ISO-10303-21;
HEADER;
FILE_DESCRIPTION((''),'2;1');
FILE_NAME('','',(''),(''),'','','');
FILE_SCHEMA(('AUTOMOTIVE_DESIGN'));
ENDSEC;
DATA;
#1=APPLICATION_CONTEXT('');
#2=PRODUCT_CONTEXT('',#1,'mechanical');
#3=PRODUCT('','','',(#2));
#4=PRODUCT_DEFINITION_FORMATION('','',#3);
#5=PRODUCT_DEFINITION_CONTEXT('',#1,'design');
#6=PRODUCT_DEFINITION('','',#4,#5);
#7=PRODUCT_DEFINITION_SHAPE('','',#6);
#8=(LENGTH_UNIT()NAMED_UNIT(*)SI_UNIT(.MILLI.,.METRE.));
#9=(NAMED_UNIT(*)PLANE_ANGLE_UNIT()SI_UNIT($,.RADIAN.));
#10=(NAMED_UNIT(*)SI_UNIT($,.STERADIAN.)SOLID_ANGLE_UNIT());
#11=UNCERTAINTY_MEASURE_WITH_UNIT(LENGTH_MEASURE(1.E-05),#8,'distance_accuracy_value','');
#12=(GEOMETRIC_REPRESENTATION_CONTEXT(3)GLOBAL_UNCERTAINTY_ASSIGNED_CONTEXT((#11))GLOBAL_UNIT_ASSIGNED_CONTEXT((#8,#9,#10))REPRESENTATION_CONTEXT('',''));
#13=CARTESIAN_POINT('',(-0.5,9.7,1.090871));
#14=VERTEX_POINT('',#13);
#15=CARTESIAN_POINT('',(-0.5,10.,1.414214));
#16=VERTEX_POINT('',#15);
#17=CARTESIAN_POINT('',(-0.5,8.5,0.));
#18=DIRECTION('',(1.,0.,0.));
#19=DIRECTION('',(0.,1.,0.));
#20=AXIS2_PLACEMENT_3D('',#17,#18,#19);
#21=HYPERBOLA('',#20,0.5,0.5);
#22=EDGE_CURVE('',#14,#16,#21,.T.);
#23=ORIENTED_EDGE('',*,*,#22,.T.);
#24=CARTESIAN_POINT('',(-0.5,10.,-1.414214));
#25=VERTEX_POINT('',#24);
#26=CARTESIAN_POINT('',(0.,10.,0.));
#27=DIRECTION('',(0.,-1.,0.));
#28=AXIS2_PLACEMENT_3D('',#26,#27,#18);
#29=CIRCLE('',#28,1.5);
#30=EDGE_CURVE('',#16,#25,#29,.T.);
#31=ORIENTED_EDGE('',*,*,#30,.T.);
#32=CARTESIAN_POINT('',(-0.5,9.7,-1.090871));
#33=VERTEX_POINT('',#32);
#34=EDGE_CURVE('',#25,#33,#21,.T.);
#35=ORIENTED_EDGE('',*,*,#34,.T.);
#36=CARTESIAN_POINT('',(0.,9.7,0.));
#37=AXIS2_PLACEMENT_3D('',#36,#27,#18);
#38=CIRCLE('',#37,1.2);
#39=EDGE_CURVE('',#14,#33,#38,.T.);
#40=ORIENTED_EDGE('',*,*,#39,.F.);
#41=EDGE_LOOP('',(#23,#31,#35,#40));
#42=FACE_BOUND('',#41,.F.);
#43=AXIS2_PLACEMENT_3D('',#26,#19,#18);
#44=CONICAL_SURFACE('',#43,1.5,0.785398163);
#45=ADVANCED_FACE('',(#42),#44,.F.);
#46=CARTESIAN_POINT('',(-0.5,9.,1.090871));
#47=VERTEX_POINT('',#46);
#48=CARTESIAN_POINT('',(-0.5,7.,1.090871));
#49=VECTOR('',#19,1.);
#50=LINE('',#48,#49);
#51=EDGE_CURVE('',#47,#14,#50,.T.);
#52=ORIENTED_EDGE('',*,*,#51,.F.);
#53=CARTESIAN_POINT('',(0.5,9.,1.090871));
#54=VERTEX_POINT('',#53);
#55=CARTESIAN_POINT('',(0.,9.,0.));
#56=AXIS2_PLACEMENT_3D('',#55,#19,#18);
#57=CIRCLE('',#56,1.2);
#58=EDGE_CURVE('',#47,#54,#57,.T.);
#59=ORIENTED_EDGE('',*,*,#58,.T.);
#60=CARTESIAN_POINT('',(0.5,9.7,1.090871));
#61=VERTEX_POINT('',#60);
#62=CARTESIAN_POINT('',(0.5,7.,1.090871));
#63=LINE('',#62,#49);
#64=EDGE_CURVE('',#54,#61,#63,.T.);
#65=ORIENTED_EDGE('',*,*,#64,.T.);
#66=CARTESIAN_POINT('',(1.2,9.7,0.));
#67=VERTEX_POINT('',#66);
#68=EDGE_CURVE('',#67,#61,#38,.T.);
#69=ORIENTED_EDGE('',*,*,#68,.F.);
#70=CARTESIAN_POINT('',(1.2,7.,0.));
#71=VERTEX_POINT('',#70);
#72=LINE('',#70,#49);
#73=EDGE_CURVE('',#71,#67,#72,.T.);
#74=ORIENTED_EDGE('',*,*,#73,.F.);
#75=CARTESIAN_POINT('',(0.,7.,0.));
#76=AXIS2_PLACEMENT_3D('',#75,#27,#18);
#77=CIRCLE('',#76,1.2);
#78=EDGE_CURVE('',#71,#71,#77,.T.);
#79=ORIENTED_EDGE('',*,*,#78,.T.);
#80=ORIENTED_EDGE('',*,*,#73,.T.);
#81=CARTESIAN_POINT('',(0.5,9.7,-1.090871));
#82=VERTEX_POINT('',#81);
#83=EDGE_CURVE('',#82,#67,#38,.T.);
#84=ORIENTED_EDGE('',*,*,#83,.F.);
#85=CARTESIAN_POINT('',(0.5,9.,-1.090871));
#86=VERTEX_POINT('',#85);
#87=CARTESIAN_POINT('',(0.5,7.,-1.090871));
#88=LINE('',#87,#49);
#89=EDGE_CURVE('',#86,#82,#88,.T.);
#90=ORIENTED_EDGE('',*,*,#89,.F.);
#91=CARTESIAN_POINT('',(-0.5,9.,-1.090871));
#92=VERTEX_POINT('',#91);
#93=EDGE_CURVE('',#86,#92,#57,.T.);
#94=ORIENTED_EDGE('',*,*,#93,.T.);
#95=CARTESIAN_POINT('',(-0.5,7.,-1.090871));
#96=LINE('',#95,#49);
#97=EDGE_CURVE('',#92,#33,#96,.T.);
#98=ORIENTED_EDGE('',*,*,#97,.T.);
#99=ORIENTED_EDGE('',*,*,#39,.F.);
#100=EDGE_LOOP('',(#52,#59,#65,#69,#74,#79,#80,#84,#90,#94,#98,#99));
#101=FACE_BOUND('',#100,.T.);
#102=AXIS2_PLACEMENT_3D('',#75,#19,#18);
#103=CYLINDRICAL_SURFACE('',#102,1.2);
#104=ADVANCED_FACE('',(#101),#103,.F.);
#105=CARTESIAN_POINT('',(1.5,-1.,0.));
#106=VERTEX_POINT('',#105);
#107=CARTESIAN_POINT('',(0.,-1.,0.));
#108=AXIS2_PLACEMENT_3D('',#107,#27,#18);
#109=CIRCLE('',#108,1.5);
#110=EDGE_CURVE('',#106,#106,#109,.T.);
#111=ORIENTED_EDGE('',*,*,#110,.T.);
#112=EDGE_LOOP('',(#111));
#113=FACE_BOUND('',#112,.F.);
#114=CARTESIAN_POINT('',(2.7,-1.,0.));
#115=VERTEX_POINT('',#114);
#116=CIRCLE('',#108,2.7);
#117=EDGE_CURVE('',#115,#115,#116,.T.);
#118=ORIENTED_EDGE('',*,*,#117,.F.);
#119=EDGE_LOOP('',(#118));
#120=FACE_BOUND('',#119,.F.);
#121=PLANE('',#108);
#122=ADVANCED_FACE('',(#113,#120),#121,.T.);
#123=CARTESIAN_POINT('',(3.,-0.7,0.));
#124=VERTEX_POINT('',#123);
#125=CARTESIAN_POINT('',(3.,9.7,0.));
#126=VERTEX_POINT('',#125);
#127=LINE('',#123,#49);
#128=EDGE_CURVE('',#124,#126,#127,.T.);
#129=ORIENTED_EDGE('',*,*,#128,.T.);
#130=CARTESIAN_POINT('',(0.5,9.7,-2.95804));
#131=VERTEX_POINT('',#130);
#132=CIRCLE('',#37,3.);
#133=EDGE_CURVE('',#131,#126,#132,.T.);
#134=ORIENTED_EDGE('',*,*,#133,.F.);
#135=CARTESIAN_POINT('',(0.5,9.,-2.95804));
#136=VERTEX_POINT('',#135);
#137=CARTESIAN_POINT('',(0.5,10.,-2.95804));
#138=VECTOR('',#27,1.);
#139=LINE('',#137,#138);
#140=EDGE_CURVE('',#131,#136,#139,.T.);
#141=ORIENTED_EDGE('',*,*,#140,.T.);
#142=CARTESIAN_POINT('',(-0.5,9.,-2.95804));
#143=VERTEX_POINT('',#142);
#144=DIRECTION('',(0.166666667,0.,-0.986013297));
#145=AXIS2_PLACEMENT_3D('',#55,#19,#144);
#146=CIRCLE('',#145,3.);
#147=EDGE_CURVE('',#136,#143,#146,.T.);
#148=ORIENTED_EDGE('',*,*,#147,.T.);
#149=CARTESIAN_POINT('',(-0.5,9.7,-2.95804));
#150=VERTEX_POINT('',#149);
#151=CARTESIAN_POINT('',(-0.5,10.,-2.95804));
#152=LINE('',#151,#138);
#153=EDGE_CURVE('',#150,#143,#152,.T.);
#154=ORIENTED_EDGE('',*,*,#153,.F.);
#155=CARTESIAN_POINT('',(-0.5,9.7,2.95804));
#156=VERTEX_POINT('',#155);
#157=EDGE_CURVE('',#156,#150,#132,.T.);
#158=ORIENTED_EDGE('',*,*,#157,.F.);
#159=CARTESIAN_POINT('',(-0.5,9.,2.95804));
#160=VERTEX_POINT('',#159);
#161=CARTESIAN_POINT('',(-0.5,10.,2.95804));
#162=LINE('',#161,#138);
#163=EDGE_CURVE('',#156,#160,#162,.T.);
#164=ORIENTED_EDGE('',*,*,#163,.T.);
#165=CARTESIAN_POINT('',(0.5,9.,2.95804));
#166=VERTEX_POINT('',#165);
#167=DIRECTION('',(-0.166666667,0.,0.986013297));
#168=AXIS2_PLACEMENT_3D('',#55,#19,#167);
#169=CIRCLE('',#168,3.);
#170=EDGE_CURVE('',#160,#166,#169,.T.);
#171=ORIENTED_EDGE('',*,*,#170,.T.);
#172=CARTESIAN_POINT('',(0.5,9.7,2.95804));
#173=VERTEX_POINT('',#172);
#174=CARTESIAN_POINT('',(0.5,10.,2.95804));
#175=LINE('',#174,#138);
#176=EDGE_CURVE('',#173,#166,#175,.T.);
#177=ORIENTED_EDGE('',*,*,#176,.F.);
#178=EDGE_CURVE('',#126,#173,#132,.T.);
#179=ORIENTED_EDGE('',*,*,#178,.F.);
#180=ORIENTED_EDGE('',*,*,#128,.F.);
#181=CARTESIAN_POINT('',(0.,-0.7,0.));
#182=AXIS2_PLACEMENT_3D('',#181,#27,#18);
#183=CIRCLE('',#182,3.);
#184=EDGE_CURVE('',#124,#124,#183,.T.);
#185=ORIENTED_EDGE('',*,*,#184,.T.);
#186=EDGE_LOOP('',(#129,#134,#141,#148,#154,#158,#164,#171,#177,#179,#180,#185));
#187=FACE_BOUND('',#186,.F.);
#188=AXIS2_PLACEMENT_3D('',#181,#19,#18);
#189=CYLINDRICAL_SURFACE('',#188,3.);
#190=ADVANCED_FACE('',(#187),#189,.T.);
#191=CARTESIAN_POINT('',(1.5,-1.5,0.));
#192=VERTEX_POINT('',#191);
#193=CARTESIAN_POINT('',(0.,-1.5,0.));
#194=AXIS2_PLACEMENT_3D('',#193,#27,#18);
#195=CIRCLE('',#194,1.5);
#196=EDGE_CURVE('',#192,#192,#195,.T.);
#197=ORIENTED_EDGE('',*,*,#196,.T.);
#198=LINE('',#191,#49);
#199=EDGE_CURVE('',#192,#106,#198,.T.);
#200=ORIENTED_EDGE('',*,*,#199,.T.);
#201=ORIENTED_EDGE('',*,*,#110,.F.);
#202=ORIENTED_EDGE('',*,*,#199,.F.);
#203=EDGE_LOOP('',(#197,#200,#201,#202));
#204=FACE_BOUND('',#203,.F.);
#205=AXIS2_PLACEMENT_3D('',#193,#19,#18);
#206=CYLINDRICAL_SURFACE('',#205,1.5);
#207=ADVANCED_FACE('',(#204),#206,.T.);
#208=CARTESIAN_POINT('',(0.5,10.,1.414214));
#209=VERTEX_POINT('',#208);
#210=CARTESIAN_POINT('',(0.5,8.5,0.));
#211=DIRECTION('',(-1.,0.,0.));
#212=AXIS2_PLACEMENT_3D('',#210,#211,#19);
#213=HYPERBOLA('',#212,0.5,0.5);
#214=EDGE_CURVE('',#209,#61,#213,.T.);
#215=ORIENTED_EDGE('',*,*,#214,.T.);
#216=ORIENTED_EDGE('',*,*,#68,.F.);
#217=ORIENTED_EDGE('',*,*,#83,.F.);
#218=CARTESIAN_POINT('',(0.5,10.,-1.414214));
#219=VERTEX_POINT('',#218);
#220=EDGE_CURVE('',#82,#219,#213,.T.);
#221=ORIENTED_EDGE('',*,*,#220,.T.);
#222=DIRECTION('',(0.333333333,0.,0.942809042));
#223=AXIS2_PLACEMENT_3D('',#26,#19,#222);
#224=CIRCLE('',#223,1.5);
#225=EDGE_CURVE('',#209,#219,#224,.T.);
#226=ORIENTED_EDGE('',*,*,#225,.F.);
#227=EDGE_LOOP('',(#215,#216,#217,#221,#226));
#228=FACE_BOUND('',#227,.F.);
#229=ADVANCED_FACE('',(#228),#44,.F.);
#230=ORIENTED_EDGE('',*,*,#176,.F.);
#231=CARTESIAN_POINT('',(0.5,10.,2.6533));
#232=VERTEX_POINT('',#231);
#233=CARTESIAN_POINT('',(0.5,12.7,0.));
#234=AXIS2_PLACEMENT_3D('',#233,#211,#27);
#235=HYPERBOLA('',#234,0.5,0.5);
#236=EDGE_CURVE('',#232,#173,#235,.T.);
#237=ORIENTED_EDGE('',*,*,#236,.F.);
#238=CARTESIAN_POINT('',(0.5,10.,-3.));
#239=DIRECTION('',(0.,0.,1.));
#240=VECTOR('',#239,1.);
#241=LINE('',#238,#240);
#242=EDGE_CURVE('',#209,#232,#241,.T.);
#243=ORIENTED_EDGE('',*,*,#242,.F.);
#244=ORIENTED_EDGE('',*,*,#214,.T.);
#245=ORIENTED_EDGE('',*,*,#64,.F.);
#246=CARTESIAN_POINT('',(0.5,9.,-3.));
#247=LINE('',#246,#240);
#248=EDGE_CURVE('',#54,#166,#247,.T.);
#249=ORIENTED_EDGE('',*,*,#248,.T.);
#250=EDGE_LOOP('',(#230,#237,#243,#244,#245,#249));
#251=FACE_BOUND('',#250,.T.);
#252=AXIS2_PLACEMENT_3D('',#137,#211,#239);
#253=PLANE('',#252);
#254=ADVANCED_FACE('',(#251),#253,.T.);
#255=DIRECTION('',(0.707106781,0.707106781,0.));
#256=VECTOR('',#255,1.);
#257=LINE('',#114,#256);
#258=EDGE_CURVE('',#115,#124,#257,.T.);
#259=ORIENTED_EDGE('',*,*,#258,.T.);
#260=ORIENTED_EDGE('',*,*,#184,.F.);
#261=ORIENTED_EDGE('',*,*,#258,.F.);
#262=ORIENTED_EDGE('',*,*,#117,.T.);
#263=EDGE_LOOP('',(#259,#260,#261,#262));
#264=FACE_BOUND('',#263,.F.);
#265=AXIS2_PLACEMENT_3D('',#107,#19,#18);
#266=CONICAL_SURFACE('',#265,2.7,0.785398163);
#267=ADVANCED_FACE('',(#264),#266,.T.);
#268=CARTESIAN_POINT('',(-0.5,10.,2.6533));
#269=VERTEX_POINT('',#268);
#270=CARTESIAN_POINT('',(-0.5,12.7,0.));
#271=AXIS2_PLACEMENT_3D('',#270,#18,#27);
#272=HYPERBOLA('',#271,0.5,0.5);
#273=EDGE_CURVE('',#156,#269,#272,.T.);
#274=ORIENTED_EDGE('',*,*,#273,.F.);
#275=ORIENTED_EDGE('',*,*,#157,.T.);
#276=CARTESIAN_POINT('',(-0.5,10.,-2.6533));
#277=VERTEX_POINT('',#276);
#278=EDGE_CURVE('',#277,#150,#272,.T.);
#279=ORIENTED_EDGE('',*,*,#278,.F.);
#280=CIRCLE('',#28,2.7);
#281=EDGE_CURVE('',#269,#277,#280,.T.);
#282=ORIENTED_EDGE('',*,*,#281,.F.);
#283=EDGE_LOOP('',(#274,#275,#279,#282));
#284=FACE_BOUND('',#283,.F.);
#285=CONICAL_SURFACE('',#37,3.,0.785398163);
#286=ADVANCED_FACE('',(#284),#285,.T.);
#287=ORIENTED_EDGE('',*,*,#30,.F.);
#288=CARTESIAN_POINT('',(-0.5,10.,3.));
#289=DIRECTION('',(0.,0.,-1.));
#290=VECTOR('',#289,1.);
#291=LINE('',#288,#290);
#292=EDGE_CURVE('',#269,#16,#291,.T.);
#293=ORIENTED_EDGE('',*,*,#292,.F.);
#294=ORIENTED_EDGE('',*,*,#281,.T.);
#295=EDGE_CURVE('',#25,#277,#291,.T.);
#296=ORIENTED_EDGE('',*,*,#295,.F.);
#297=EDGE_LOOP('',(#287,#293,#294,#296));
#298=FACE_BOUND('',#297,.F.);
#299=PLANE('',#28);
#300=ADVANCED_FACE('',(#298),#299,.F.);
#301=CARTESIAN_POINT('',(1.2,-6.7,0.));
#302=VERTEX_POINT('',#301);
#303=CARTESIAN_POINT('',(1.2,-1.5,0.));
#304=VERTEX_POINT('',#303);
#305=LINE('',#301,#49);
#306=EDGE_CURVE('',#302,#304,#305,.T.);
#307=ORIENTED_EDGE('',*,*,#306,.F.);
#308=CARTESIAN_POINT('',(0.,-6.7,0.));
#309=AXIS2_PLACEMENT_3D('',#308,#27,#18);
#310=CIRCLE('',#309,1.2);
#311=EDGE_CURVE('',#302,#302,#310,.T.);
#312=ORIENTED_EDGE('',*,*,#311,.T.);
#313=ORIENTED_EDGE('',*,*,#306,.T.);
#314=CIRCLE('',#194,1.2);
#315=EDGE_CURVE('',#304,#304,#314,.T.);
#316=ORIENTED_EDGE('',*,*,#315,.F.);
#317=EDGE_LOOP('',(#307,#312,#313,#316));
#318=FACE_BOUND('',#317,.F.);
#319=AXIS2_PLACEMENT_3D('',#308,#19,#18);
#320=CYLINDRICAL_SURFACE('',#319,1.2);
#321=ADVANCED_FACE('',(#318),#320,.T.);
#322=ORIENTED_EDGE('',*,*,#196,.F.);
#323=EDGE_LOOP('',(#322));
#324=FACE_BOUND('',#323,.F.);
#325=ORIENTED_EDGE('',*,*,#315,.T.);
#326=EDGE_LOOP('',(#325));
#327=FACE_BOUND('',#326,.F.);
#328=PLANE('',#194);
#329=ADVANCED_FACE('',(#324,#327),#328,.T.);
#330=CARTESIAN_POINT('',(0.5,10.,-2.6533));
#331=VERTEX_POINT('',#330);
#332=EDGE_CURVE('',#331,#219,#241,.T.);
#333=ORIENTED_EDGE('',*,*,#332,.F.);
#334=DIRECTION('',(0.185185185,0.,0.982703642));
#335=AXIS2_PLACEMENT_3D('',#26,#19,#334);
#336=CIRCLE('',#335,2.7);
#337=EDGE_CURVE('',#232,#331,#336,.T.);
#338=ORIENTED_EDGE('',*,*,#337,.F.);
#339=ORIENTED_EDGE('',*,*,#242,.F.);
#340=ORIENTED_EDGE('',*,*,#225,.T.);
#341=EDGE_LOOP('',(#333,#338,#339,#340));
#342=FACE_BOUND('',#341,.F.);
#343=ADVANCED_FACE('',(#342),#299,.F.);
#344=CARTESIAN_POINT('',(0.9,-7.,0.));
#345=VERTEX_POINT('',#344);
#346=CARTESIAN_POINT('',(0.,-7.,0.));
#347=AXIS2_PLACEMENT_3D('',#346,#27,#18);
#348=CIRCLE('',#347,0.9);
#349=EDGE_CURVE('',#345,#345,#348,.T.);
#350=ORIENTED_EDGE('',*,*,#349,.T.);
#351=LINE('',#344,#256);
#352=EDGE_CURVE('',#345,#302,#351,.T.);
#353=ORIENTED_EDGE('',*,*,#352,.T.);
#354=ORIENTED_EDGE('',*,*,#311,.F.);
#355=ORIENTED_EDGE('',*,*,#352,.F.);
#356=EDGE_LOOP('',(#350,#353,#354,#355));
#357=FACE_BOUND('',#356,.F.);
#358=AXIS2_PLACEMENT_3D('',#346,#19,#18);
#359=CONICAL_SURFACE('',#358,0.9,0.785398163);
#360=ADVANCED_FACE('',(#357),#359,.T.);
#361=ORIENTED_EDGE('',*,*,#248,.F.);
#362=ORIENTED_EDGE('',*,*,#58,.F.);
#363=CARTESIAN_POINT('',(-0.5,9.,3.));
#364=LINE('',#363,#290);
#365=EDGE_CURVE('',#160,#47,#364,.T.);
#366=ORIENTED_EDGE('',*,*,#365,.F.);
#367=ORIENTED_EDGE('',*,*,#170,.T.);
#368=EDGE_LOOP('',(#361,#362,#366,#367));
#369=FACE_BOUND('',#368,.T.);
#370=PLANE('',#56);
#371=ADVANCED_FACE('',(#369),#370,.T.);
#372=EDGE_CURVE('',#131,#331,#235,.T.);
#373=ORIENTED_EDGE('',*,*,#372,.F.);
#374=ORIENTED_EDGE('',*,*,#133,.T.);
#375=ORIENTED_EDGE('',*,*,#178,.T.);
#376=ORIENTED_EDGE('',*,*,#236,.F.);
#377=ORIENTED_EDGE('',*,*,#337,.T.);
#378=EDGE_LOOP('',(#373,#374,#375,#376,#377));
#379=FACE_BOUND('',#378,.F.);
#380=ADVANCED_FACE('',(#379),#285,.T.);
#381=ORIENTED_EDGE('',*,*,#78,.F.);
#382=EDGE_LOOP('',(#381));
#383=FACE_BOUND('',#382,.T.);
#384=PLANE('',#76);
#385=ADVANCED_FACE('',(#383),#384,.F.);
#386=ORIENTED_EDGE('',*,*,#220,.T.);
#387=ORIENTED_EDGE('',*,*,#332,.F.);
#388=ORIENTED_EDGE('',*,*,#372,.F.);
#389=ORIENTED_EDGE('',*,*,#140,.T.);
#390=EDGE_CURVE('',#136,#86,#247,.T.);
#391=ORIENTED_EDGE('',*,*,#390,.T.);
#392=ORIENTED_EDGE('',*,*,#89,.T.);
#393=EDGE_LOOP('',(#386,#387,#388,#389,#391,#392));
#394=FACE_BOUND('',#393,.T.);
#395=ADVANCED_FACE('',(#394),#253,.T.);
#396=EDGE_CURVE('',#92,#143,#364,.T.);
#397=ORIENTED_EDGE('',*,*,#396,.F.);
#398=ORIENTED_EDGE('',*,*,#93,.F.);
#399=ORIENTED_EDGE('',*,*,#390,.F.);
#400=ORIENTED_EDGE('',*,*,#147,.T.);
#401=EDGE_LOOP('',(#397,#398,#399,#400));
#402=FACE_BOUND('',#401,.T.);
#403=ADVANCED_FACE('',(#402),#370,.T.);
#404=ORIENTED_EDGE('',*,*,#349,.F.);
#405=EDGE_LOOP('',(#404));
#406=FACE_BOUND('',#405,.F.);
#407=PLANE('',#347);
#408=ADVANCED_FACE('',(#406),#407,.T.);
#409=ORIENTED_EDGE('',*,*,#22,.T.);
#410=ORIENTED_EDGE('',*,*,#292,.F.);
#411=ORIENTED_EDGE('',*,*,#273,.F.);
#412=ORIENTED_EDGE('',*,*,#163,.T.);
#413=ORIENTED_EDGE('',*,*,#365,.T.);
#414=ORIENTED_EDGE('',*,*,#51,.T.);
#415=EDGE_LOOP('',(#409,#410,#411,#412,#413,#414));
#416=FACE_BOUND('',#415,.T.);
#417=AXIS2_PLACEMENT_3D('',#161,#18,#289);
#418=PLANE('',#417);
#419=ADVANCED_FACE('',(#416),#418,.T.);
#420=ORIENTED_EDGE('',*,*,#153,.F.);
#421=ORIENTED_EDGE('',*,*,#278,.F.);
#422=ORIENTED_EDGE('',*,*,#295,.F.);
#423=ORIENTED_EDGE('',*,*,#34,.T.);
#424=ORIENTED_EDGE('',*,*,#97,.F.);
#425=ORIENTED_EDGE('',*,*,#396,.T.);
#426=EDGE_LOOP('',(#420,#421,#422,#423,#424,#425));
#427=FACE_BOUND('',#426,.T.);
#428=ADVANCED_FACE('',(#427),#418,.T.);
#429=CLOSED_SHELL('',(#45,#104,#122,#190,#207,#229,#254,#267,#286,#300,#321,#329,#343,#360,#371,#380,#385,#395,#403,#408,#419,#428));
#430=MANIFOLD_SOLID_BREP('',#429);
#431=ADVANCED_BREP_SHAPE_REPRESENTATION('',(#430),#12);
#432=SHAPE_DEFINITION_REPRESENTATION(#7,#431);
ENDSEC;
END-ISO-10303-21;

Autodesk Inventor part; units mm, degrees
ref_plane "YZ Plane" through (0, 0, 0) normal (1, 0, 0) x (0, 1, 0)
ref_plane "XZ Plane" through (0, 0, 0) normal (0, 1, 0) x (-1, 0, 0)
ref_plane "XY Plane" through (0, 0, 0) normal (0, 0, 1) x (1, 0, 0)
sketch "スケッチ1" plane through (0, 0, 0) normal (0, 0, 1) x (1, 0, 0)
  line L0 (0, -7) -> (0.9, -7)
  line L1 (0.9, -7) -> (1.2, -6.7)
  line L2 (1.2, -6.7) -> (1.2, -1.5)
  line L3 (1.2, -1.5) -> (1.5, -1.5)
  line L4 (1.5, -1.5) -> (1.5, -1)
  line L5 (1.5, -1) -> (2.7, -1)
  line L6 (3, 9.7) -> (2.7, 10)
  line L7 (2.7, 10) -> (1.5, 10)
  line L8 (1.5, 10) -> (1.2, 9.7)
  line L9 (0, 7.4044) -> (0, -7.4044) construction
  line L10 (0, -7) -> (0, 7)
  line L11 (0, 7) -> (1.2, 7)
  line L12 (1.2, 7) -> (1.2, 9.7)
  line L13 (2.7, -1) -> (3, -0.7)
  line L14 (3, -0.7) -> (3, 9.7)
  point P0 (0, 0)
  point P1 (0, 0)
  point P2 (0, 0)
  dimension "d0" = 2.4
  dimension "d1" = 6
  dimension "d2" = 0.3
  dimension "d3" = 0.3
  dimension "d4" = 3
  dimension "d5" = 0.5
  dimension "d6" = 11
  dimension "d7" = 0.3
  dimension "d8" = 2.4
  dimension "d9" = 3
  dimension "d10" = 0.3
  dimension "d11" = 0.3
  dimension "d12" = 0.3
  dimension "d13" = 0.3
  dimension "d14" = 6
revolve "回転1" add sketch "スケッチ1" angle 360 about axis through (0, 7.4044, 0) along (0, -1, 0)
sketch "スケッチ2" plane through (0, 10, 0) normal (0, 1, 0) x (1, 0, 0)
  line L0 (-0.5, 3) -> (0.5, 3)
  line L1 (0.5, 3) -> (0.5, -3)
  line L2 (0.5, -3) -> (-0.5, -3)
  line L3 (-0.5, -3) -> (-0.5, 3)
  line L4 (-0.5, 3) -> (0.5, -3) construction
  line L5 (0.5, 3) -> (-0.5, -3) construction
  circle A0 centre (0, 0) radius 3 projected
  point P0 (0, 0)
  point P1 (0.5, 2.958)
  point P2 (-0.5, 2.958)
  point P3 (-0.5, -2.958)
  point P4 (0.5, -2.958)
  dimension "d16" = 1
extrude "押し出し1" cut sketch "スケッチ2" against normal blind 1 contours A0 L1 L3
equation "\"d3\" = d2"
equation "\"d10\" = d7"
equation "\"d11\" = d7"
equation "\"d12\" = d11"
equation "\"d13\" = d12"
properties part number "BRU-311S" material "ステンレス鋼 AISI 304"
